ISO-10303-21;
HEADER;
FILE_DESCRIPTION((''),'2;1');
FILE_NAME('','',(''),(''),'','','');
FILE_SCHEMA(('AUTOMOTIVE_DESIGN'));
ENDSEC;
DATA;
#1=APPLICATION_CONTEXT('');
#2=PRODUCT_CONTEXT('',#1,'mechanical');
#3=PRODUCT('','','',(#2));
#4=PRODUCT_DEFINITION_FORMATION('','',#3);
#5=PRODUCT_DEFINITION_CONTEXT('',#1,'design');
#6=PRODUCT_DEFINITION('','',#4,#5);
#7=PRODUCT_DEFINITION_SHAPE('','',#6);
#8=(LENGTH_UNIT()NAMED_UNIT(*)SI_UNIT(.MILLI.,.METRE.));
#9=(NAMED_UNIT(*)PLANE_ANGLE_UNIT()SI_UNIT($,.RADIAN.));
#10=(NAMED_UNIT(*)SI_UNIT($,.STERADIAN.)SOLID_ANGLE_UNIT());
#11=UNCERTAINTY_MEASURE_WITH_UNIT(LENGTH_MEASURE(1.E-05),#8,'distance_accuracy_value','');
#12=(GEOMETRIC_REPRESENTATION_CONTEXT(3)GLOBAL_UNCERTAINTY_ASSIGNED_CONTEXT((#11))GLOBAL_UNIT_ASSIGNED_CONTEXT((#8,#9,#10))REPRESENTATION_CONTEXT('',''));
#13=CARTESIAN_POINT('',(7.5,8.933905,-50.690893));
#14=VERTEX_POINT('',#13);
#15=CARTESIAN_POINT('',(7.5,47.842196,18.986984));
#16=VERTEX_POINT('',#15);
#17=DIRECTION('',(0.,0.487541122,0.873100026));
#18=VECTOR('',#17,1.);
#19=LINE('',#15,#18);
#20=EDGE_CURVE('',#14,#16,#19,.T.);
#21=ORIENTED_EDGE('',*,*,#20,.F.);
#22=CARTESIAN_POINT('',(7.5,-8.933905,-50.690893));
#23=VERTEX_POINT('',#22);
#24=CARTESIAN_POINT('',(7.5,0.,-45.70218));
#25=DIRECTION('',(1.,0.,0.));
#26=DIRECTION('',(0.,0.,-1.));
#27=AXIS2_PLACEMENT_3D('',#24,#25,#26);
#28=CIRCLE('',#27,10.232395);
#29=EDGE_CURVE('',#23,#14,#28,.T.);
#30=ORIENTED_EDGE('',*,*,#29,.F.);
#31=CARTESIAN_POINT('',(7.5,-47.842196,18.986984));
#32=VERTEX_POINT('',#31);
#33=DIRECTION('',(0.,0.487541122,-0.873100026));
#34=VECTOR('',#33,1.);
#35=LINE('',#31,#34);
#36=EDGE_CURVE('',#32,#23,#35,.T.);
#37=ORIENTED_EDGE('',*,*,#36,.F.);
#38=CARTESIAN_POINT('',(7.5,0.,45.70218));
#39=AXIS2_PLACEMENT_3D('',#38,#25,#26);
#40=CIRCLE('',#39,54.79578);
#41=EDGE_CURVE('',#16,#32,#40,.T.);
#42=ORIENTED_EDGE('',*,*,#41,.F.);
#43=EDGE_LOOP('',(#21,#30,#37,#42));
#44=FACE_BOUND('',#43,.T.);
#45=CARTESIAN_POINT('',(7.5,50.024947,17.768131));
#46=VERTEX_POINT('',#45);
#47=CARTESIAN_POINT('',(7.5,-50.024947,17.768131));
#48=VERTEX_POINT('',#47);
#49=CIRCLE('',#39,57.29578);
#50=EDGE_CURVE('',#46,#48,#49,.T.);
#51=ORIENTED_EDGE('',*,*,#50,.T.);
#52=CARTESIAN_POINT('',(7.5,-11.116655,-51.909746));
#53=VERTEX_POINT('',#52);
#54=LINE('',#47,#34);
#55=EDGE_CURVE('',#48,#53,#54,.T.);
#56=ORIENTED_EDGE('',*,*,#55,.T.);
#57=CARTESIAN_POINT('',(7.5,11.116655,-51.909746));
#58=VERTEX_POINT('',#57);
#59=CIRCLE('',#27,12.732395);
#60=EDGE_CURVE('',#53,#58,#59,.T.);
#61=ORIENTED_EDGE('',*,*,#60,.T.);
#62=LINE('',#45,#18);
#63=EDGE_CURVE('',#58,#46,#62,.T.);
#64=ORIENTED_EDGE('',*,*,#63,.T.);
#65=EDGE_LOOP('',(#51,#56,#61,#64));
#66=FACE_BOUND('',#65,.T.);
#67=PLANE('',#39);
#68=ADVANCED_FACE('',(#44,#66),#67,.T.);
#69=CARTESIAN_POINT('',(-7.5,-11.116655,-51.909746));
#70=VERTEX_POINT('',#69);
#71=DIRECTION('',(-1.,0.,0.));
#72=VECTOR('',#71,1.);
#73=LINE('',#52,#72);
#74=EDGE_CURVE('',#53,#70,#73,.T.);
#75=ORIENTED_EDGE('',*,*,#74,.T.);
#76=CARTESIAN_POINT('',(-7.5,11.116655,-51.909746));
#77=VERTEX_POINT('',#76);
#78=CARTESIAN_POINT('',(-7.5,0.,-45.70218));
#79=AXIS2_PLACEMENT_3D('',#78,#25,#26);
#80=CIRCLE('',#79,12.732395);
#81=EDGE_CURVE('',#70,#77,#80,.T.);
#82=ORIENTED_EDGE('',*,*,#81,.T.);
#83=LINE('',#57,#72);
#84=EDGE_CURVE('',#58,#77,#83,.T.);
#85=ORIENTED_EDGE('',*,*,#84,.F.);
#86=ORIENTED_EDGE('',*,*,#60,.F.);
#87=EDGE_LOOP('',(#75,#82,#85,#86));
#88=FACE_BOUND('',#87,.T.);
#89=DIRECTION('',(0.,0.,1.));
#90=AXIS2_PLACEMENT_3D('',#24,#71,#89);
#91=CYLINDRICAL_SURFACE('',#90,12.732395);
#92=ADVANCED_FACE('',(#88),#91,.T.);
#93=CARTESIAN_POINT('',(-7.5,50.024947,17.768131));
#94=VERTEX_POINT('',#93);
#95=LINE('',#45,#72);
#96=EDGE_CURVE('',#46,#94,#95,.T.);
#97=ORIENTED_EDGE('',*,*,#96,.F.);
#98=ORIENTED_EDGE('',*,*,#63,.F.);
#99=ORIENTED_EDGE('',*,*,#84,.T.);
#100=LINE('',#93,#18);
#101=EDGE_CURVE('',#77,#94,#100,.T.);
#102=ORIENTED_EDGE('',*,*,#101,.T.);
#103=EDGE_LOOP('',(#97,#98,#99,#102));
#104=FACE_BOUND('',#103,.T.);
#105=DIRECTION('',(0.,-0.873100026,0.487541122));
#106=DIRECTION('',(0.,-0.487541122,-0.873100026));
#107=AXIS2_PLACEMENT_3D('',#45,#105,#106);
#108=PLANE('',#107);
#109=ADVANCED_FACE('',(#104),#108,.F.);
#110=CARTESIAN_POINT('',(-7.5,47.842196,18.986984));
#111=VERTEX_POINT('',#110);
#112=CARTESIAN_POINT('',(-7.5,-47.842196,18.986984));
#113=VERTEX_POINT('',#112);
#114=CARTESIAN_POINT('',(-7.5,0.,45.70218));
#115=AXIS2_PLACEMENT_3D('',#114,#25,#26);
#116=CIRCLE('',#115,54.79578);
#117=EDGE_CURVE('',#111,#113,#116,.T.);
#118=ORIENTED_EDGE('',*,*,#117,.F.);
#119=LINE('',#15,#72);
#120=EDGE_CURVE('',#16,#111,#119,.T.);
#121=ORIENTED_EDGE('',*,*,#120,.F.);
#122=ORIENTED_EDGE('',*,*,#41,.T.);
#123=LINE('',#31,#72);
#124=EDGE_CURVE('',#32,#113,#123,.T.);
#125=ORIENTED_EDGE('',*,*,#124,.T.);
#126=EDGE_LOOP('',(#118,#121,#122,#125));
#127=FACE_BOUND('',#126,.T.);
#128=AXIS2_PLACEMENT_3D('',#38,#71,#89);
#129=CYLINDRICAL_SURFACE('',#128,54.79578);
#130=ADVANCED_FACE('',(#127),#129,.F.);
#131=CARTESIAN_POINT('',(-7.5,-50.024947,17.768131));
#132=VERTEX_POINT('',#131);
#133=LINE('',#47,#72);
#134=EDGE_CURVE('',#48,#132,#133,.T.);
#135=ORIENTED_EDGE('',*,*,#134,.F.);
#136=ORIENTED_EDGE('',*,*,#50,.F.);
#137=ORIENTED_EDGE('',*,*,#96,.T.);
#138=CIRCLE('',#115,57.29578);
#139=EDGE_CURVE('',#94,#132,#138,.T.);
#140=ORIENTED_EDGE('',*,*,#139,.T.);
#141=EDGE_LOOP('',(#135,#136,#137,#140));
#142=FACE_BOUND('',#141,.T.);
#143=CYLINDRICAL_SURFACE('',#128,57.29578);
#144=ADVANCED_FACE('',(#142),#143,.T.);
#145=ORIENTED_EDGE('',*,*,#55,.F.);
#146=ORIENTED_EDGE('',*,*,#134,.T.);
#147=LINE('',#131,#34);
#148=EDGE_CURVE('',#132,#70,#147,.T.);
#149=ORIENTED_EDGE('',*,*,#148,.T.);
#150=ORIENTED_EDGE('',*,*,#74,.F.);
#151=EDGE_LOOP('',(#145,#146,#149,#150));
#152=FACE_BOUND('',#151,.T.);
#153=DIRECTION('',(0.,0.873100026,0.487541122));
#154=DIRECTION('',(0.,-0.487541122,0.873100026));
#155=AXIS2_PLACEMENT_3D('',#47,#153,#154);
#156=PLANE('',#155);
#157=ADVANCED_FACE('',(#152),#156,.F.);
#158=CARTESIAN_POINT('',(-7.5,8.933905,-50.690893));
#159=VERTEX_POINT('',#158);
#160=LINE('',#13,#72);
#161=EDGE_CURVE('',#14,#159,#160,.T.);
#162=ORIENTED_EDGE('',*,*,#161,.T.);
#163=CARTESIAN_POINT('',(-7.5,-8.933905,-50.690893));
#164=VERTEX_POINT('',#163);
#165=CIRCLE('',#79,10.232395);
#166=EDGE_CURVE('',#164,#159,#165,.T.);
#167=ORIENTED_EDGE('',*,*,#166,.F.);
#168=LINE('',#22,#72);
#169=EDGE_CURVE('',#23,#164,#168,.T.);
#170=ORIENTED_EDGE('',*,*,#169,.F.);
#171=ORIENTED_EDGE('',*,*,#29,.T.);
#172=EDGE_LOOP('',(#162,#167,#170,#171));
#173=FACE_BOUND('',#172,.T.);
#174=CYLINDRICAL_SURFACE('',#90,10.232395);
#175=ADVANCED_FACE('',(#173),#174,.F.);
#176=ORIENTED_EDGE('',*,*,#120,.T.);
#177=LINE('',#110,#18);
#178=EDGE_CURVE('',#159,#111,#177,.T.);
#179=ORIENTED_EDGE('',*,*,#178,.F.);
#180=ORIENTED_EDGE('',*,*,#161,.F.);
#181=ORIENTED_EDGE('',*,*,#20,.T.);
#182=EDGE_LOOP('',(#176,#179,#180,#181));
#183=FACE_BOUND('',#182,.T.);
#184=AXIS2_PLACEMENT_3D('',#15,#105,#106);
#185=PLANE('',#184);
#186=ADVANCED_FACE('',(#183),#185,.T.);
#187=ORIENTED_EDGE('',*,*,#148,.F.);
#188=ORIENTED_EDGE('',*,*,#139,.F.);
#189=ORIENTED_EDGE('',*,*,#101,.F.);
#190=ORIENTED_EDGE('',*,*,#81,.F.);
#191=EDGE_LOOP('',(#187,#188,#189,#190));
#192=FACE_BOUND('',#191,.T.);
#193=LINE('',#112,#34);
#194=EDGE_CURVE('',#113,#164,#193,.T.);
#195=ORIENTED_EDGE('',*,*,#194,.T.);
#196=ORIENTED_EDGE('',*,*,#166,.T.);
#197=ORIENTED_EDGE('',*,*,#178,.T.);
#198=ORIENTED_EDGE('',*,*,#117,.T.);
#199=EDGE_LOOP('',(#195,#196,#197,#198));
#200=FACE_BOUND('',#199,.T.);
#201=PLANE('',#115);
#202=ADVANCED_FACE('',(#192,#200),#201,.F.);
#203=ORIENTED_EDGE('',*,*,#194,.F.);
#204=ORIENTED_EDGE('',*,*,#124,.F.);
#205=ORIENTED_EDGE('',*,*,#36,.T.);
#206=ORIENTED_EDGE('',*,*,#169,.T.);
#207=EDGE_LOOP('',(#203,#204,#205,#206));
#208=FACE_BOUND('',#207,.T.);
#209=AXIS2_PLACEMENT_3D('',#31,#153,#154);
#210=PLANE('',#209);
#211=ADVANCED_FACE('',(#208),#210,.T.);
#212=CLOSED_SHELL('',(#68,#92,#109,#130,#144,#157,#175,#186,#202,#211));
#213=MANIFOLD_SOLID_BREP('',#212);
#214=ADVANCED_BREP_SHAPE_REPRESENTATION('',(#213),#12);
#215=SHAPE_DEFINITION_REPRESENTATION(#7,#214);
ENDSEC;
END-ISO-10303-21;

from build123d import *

# Parameters (mm, degrees)
BOSS_EXTRUDE1_DEPTH = 7.5


with BuildPart() as part:
    # Sketch1 → Boss-Extrude1 (new body, symmetric)
    with BuildSketch(Plane(origin=(0, 0, 0), x_dir=(0, 0, -1), z_dir=(1, 0, 0))):
        with BuildLine():
            Line((-17.768131265, 50.024946562), (51.909746228, 11.116654792))
            ThreePointArc((51.909746228, 11.116654792), (58.434575318, 0), (51.909746228, -11.116654792))
            Line((51.909746228, -11.116654792), (-17.768131265, -50.024946562))
            ThreePointArc((-17.768131265, -50.024946562), (-102.997959384, 0), (-17.768131265, 50.024946562))
        make_face()
        with BuildLine():
            Line((-18.986984069, 47.842196498), (50.690893424, 8.933904727))
            ThreePointArc((50.690893424, 8.933904727), (55.934575318, 0), (50.690893424, -8.933904727))
            Line((50.690893424, -8.933904727), (-18.986984069, -47.842196498))
            ThreePointArc((-18.986984069, -47.842196498), (-100.497959384, 0), (-18.986984069, 47.842196498))
        make_face(mode=Mode.SUBTRACT)
    extrude(amount=BOSS_EXTRUDE1_DEPTH, both=True)


solid = part.part
